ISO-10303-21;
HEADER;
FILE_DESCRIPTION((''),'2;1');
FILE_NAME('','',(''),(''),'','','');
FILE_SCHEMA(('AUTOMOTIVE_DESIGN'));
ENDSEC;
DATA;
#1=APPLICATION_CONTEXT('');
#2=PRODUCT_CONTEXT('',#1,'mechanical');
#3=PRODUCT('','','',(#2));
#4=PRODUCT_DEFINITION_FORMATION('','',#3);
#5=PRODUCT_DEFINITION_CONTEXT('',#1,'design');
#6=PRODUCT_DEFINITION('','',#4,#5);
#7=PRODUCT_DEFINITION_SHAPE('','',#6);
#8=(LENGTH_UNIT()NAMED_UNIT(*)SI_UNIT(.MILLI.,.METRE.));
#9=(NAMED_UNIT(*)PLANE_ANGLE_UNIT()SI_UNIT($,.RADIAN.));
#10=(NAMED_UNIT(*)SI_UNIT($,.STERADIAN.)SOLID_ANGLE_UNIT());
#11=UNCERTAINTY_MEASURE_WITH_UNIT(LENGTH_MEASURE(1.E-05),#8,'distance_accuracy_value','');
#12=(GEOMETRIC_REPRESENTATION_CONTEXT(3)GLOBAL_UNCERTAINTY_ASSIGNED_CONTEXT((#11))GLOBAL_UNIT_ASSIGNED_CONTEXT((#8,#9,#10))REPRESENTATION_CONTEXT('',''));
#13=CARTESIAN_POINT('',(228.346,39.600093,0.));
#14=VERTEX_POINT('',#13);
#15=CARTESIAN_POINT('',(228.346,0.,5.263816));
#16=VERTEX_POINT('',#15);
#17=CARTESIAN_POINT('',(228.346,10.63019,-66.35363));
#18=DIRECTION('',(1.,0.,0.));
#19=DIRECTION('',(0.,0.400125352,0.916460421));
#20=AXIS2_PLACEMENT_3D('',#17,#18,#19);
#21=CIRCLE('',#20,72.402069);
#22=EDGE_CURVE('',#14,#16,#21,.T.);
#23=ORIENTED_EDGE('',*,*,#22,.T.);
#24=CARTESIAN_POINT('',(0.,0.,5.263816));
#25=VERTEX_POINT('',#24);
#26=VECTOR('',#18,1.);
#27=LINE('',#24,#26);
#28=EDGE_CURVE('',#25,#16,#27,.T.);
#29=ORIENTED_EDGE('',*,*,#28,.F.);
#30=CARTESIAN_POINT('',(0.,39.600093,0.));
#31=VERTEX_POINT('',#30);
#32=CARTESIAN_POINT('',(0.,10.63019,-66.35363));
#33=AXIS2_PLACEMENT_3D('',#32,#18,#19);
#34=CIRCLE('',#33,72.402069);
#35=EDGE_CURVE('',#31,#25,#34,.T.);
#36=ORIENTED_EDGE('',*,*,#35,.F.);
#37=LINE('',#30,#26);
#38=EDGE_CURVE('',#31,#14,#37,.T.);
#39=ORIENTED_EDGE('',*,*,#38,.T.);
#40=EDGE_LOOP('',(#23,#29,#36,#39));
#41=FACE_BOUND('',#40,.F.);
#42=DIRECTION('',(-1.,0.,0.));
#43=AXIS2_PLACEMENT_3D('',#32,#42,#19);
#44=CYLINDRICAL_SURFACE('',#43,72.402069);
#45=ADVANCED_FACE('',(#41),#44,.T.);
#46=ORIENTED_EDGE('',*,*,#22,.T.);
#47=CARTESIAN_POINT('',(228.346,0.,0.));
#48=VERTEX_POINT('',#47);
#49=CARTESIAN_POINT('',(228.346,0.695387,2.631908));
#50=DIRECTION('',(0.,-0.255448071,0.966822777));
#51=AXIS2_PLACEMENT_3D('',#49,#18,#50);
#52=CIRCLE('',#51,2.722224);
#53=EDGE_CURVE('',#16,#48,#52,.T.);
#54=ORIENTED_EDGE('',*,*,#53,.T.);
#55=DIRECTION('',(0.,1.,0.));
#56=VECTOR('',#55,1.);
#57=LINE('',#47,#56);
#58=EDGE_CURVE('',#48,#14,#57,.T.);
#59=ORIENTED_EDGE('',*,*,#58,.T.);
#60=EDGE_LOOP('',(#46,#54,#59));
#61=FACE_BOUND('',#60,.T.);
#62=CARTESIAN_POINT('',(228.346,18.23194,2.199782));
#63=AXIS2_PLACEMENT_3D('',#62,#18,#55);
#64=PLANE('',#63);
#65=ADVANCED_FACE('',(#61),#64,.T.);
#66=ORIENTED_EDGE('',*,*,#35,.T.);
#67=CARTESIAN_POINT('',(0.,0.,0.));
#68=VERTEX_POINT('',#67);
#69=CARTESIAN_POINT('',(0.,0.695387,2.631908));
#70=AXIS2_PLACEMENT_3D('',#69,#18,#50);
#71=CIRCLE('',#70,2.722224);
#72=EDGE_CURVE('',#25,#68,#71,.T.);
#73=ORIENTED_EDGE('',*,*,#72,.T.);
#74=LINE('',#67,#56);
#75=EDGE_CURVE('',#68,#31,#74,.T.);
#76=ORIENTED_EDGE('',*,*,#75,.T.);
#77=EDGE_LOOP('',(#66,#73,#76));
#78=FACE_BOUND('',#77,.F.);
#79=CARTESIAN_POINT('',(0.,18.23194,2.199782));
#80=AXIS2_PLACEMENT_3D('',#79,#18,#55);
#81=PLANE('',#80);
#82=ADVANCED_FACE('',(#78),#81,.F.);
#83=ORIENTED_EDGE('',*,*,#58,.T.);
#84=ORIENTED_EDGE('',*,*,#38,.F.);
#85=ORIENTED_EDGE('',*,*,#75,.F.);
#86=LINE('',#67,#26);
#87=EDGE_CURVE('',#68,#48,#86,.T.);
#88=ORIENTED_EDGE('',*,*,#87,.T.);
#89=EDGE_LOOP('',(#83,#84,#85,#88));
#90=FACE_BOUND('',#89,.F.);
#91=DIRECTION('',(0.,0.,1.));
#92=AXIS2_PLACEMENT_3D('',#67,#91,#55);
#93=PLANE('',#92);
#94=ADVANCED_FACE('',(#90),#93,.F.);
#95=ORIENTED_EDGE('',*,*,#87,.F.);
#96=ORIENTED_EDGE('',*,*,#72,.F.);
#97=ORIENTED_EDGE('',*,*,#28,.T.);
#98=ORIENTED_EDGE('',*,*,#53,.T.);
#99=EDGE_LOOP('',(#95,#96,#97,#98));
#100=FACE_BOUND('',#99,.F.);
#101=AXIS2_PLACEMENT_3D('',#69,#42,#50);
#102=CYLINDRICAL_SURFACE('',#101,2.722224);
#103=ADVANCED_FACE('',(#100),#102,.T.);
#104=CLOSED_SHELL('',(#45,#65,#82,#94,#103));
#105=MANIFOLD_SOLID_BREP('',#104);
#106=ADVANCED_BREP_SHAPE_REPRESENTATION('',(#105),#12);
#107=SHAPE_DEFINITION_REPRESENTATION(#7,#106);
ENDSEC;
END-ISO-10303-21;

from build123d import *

# Parameters (mm, degrees)
F1_DEPTH = 228.346


with BuildPart() as f1:
    # F0 (on Right) → F1 (new body)
    with BuildSketch(Plane.YZ):
        with BuildLine():
            ThreePointArc((39.600093, 0), (20.170274, 5.41716), (0, 5.263816))
            ThreePointArc((0, 5.263816), (-2.026837, 2.631908), (0, 0))
            Line((0, 0), (39.600093, 0))
        make_face()
    extrude(amount=F1_DEPTH)


solid = f1.part
